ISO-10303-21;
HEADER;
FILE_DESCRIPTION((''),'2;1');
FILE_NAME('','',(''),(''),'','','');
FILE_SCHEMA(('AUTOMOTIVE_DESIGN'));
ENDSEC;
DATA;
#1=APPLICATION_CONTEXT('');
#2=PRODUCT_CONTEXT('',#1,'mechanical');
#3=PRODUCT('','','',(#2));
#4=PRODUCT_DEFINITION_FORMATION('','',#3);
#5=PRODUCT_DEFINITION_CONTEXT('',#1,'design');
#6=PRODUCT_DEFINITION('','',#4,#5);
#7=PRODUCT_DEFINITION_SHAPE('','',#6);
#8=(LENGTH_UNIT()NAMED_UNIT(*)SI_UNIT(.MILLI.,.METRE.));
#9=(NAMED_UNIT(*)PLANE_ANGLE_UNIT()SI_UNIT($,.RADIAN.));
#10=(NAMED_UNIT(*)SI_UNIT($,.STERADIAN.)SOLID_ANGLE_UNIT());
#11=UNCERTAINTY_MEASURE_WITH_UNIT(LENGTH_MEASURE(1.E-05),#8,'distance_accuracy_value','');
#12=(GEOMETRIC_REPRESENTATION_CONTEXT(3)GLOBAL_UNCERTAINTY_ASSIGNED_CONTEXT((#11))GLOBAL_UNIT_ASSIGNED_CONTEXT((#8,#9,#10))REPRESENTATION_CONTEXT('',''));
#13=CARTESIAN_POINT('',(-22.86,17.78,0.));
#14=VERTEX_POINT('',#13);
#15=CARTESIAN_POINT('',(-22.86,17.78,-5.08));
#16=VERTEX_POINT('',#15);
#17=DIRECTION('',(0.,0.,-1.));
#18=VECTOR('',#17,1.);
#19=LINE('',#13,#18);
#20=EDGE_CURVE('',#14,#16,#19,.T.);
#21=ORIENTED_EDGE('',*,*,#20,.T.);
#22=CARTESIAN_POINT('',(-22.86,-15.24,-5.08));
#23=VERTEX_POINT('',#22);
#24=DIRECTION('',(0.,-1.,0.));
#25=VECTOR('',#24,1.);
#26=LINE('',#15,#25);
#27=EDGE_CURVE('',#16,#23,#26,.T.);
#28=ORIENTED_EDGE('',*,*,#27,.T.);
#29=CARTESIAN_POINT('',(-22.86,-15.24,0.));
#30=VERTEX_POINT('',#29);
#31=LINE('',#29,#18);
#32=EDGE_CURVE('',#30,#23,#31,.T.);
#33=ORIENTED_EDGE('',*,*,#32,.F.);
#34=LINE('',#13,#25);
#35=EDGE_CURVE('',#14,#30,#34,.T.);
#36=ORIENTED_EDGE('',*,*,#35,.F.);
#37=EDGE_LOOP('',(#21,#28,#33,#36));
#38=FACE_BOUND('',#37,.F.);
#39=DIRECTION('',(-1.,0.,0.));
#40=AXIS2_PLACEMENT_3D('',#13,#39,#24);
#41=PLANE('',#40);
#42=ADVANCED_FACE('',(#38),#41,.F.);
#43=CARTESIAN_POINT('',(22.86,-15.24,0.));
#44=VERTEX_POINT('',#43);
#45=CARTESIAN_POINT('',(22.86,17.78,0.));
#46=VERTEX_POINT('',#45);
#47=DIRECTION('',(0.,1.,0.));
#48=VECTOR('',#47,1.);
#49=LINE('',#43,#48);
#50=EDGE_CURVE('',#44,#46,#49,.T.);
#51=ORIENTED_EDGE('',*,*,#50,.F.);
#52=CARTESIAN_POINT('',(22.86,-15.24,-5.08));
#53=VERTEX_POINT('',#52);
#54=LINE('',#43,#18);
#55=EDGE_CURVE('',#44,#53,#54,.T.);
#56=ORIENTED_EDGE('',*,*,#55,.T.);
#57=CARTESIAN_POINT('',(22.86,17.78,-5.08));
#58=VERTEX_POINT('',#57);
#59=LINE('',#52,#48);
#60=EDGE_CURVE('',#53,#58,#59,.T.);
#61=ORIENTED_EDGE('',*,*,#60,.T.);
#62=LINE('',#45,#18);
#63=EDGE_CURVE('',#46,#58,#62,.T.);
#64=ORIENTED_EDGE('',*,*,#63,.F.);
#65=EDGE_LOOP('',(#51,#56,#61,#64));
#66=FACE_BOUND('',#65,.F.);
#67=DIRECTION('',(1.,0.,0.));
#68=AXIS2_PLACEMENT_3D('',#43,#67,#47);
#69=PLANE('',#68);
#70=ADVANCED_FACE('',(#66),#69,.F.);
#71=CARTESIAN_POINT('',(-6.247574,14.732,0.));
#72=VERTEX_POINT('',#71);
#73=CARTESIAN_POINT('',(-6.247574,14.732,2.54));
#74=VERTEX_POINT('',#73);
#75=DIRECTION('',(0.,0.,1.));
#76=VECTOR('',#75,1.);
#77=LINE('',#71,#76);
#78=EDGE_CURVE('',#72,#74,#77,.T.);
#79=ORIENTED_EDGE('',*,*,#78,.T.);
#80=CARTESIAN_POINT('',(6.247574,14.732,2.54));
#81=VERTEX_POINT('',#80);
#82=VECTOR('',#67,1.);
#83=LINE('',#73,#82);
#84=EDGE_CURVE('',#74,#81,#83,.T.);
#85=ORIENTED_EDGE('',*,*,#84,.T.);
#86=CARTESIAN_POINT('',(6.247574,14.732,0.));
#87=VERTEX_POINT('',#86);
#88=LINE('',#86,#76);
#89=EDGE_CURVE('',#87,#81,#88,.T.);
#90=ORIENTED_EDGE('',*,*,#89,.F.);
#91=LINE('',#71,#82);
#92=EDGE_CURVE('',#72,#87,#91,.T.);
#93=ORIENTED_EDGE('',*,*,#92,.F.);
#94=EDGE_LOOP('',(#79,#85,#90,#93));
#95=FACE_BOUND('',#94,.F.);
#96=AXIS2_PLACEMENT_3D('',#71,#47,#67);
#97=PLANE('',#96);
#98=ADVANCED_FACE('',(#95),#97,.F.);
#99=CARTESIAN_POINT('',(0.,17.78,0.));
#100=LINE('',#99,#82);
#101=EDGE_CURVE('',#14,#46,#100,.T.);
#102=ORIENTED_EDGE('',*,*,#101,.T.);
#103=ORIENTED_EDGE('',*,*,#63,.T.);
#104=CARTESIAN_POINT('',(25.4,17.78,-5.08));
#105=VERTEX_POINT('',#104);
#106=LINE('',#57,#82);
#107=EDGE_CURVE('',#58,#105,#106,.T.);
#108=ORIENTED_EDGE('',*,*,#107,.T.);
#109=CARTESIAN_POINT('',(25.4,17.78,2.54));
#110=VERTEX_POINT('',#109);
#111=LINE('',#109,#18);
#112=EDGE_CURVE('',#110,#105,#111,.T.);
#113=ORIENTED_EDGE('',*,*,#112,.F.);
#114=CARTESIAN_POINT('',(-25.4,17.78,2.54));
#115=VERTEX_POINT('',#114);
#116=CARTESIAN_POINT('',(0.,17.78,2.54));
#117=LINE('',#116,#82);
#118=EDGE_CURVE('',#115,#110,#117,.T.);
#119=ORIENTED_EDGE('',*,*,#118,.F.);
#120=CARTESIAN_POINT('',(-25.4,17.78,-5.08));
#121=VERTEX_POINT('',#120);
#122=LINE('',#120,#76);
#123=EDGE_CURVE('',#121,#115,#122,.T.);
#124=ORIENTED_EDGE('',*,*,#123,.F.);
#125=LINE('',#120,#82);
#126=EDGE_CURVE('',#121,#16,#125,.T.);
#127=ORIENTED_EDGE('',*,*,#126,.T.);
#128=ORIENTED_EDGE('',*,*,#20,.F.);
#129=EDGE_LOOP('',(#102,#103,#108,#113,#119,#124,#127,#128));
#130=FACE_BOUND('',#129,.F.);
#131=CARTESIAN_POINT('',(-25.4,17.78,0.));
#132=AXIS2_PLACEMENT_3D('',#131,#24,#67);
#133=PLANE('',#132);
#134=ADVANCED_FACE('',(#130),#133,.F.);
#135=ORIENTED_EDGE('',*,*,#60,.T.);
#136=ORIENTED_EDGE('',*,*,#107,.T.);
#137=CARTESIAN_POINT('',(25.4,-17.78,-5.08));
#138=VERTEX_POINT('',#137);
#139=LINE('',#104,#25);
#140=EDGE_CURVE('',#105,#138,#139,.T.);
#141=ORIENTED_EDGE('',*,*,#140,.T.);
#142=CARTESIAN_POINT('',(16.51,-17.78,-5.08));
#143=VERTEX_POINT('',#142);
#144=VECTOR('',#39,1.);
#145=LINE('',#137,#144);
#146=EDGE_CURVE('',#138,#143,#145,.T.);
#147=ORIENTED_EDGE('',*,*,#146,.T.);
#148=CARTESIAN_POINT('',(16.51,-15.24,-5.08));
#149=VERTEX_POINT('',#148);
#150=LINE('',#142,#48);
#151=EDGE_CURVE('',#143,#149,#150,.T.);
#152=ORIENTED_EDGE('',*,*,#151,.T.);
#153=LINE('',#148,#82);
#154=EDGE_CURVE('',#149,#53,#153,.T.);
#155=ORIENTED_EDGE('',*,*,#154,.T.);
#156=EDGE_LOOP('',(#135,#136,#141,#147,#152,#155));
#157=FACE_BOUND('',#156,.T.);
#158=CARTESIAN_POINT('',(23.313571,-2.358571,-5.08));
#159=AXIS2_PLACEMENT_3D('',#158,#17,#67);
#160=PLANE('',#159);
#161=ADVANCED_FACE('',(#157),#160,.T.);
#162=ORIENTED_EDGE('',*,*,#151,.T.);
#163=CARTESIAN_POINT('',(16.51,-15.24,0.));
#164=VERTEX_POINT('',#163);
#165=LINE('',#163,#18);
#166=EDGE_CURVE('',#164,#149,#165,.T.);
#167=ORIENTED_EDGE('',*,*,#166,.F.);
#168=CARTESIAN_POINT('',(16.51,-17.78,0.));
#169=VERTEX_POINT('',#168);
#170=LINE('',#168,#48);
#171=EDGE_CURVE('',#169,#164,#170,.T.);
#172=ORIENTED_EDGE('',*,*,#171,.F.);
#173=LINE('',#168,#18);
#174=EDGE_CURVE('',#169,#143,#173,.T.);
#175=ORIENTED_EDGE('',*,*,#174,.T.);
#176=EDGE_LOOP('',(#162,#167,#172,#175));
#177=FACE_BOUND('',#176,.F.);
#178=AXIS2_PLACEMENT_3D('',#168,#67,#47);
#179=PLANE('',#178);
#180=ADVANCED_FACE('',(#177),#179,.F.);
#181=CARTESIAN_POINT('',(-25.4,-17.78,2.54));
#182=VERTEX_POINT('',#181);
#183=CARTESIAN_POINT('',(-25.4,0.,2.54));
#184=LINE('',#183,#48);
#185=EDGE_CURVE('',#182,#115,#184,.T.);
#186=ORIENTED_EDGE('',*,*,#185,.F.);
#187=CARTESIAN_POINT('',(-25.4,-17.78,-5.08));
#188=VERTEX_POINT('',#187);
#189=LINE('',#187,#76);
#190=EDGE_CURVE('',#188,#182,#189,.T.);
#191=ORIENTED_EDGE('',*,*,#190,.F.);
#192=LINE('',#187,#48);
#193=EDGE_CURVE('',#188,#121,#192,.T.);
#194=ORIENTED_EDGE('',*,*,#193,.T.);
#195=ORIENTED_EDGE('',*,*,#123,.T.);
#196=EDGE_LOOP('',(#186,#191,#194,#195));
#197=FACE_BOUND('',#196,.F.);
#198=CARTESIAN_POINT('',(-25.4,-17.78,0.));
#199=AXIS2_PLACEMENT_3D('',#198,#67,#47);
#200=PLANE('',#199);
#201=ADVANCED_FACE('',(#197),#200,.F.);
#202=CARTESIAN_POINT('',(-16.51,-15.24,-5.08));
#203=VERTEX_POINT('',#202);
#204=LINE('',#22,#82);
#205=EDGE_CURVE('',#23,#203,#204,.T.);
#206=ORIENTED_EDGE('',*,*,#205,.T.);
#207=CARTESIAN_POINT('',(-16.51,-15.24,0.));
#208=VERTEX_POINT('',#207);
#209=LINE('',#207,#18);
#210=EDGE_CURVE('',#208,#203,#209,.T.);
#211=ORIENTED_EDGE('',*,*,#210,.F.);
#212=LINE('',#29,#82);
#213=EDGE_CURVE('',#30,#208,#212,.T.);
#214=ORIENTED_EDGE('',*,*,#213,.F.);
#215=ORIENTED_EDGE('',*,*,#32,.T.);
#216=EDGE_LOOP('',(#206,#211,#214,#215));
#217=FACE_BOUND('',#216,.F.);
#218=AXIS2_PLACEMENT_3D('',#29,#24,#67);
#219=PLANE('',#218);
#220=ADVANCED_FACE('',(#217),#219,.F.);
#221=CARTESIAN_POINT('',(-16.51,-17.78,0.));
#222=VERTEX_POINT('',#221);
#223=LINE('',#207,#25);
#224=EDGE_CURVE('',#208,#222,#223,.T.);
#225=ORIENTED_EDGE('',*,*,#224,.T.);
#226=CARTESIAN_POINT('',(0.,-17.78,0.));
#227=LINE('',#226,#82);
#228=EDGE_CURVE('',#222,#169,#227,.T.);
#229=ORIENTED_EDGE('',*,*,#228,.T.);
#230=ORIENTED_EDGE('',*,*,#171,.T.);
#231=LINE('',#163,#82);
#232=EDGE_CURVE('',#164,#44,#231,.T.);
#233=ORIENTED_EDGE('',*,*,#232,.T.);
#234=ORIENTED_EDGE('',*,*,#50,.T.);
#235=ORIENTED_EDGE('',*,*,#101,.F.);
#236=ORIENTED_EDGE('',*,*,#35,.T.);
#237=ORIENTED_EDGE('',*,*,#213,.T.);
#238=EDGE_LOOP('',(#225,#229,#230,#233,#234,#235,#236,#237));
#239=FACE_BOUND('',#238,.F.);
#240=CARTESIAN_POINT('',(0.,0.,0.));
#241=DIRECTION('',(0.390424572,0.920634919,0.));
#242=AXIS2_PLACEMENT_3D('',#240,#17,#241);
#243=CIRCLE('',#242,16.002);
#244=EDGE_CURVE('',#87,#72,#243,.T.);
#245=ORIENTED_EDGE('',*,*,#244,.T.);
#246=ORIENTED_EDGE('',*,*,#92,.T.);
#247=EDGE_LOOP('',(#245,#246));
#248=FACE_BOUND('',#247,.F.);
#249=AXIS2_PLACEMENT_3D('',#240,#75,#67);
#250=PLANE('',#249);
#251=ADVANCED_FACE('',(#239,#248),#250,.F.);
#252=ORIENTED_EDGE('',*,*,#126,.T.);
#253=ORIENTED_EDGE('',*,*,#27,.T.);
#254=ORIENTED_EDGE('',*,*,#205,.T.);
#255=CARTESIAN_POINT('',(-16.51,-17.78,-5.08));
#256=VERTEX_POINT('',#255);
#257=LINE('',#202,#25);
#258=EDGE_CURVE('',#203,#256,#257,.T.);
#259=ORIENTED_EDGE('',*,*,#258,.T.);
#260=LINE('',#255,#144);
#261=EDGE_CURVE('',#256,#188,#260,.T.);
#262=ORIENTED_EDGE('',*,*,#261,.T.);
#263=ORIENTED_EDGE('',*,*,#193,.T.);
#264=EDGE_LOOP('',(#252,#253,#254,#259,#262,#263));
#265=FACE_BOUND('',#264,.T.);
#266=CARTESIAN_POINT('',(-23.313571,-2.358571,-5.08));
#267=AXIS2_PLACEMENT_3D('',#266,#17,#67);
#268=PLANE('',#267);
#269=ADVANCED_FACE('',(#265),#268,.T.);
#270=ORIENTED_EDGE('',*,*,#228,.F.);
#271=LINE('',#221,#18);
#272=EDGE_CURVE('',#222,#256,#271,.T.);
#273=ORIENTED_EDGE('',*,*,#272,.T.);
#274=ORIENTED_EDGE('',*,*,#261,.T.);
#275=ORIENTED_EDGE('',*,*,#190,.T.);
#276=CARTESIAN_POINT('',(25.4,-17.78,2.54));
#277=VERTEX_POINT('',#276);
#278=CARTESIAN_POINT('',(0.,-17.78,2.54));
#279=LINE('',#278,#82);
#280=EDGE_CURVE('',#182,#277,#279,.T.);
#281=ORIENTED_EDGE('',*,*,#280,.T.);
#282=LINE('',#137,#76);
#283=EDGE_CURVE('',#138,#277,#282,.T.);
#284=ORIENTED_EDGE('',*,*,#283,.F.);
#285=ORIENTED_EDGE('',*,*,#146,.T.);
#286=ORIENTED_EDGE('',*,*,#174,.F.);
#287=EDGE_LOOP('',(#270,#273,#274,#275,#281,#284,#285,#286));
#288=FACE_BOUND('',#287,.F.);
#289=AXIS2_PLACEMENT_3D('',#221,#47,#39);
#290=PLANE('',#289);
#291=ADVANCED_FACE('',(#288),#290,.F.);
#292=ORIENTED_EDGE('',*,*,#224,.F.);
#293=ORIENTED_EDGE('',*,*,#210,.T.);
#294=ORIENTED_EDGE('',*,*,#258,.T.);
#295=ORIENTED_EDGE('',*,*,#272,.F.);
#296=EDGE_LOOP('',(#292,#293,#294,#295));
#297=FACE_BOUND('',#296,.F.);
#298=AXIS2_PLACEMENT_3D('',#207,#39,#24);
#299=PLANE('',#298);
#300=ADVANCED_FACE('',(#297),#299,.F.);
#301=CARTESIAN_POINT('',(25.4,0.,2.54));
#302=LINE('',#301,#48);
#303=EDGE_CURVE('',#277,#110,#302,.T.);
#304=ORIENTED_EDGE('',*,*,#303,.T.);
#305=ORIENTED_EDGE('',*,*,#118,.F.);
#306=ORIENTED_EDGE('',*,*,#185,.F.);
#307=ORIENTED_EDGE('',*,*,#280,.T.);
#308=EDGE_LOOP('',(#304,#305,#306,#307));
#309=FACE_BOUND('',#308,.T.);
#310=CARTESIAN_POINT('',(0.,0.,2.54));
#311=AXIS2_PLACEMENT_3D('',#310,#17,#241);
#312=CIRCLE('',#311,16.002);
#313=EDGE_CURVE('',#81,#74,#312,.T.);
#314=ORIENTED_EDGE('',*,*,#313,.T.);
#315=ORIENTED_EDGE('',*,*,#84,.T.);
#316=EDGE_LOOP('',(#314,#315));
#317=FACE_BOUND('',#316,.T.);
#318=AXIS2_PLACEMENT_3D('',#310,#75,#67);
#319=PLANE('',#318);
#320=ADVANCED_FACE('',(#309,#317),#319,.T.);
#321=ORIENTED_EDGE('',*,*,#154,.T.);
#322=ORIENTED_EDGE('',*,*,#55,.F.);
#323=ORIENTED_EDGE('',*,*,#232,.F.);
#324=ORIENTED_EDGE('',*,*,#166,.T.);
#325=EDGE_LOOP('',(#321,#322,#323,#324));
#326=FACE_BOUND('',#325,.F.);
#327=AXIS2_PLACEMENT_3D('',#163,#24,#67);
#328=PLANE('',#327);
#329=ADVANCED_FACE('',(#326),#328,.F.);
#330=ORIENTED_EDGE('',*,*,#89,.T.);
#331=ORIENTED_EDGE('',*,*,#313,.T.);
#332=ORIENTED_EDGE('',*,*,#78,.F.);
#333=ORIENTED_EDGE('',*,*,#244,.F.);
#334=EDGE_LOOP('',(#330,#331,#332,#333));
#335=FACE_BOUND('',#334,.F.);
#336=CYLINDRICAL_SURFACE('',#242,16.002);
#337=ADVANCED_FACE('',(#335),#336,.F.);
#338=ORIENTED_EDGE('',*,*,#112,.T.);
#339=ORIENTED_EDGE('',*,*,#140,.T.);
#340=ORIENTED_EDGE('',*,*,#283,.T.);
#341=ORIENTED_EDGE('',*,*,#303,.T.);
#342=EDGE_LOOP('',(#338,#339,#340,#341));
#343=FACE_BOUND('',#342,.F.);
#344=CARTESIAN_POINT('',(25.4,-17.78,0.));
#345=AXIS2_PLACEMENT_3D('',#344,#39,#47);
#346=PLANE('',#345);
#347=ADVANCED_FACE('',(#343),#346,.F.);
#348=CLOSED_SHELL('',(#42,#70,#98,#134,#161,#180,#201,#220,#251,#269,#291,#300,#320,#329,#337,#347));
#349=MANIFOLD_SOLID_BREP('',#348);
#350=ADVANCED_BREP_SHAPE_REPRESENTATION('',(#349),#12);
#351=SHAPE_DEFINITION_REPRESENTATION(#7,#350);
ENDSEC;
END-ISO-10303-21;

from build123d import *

# Parameters (mm, degrees)
F0_W     = 50.8
F0_H     = 35.56
F1_DEPTH = 2.54
F3_DEPTH = 5.08


with BuildPart() as f1:
    # F0 (on Top) → F1 (new body)
    with BuildSketch(Plane.XY):
        Rectangle(F0_W, F0_H)
        with BuildLine():
            ThreePointArc((6.247574, 14.732), (0, -16.002), (-6.247574, 14.732))
            Line((-6.247574, 14.732), (6.247574, 14.732))
        make_face(mode=Mode.SUBTRACT)
    extrude(amount=F1_DEPTH)

    # F2 (on face) → F3 (join)
    with BuildSketch(Plane(origin=(0, 0, 0), x_dir=(1, 0, 0), z_dir=(0, 0, -1))):
        Polygon((-25.4, -17.78), (-22.86, -17.78), (-22.86, 15.24), (-16.51, 15.24), (-16.51, 17.78), (-25.4, 17.78), align=None)
        Polygon((22.86, -17.78), (25.4, -17.78), (25.4, 17.78), (16.51, 17.78), (16.51, 15.24), (22.86, 15.24), align=None)
    extrude(amount=F3_DEPTH)


solid = f1.part
